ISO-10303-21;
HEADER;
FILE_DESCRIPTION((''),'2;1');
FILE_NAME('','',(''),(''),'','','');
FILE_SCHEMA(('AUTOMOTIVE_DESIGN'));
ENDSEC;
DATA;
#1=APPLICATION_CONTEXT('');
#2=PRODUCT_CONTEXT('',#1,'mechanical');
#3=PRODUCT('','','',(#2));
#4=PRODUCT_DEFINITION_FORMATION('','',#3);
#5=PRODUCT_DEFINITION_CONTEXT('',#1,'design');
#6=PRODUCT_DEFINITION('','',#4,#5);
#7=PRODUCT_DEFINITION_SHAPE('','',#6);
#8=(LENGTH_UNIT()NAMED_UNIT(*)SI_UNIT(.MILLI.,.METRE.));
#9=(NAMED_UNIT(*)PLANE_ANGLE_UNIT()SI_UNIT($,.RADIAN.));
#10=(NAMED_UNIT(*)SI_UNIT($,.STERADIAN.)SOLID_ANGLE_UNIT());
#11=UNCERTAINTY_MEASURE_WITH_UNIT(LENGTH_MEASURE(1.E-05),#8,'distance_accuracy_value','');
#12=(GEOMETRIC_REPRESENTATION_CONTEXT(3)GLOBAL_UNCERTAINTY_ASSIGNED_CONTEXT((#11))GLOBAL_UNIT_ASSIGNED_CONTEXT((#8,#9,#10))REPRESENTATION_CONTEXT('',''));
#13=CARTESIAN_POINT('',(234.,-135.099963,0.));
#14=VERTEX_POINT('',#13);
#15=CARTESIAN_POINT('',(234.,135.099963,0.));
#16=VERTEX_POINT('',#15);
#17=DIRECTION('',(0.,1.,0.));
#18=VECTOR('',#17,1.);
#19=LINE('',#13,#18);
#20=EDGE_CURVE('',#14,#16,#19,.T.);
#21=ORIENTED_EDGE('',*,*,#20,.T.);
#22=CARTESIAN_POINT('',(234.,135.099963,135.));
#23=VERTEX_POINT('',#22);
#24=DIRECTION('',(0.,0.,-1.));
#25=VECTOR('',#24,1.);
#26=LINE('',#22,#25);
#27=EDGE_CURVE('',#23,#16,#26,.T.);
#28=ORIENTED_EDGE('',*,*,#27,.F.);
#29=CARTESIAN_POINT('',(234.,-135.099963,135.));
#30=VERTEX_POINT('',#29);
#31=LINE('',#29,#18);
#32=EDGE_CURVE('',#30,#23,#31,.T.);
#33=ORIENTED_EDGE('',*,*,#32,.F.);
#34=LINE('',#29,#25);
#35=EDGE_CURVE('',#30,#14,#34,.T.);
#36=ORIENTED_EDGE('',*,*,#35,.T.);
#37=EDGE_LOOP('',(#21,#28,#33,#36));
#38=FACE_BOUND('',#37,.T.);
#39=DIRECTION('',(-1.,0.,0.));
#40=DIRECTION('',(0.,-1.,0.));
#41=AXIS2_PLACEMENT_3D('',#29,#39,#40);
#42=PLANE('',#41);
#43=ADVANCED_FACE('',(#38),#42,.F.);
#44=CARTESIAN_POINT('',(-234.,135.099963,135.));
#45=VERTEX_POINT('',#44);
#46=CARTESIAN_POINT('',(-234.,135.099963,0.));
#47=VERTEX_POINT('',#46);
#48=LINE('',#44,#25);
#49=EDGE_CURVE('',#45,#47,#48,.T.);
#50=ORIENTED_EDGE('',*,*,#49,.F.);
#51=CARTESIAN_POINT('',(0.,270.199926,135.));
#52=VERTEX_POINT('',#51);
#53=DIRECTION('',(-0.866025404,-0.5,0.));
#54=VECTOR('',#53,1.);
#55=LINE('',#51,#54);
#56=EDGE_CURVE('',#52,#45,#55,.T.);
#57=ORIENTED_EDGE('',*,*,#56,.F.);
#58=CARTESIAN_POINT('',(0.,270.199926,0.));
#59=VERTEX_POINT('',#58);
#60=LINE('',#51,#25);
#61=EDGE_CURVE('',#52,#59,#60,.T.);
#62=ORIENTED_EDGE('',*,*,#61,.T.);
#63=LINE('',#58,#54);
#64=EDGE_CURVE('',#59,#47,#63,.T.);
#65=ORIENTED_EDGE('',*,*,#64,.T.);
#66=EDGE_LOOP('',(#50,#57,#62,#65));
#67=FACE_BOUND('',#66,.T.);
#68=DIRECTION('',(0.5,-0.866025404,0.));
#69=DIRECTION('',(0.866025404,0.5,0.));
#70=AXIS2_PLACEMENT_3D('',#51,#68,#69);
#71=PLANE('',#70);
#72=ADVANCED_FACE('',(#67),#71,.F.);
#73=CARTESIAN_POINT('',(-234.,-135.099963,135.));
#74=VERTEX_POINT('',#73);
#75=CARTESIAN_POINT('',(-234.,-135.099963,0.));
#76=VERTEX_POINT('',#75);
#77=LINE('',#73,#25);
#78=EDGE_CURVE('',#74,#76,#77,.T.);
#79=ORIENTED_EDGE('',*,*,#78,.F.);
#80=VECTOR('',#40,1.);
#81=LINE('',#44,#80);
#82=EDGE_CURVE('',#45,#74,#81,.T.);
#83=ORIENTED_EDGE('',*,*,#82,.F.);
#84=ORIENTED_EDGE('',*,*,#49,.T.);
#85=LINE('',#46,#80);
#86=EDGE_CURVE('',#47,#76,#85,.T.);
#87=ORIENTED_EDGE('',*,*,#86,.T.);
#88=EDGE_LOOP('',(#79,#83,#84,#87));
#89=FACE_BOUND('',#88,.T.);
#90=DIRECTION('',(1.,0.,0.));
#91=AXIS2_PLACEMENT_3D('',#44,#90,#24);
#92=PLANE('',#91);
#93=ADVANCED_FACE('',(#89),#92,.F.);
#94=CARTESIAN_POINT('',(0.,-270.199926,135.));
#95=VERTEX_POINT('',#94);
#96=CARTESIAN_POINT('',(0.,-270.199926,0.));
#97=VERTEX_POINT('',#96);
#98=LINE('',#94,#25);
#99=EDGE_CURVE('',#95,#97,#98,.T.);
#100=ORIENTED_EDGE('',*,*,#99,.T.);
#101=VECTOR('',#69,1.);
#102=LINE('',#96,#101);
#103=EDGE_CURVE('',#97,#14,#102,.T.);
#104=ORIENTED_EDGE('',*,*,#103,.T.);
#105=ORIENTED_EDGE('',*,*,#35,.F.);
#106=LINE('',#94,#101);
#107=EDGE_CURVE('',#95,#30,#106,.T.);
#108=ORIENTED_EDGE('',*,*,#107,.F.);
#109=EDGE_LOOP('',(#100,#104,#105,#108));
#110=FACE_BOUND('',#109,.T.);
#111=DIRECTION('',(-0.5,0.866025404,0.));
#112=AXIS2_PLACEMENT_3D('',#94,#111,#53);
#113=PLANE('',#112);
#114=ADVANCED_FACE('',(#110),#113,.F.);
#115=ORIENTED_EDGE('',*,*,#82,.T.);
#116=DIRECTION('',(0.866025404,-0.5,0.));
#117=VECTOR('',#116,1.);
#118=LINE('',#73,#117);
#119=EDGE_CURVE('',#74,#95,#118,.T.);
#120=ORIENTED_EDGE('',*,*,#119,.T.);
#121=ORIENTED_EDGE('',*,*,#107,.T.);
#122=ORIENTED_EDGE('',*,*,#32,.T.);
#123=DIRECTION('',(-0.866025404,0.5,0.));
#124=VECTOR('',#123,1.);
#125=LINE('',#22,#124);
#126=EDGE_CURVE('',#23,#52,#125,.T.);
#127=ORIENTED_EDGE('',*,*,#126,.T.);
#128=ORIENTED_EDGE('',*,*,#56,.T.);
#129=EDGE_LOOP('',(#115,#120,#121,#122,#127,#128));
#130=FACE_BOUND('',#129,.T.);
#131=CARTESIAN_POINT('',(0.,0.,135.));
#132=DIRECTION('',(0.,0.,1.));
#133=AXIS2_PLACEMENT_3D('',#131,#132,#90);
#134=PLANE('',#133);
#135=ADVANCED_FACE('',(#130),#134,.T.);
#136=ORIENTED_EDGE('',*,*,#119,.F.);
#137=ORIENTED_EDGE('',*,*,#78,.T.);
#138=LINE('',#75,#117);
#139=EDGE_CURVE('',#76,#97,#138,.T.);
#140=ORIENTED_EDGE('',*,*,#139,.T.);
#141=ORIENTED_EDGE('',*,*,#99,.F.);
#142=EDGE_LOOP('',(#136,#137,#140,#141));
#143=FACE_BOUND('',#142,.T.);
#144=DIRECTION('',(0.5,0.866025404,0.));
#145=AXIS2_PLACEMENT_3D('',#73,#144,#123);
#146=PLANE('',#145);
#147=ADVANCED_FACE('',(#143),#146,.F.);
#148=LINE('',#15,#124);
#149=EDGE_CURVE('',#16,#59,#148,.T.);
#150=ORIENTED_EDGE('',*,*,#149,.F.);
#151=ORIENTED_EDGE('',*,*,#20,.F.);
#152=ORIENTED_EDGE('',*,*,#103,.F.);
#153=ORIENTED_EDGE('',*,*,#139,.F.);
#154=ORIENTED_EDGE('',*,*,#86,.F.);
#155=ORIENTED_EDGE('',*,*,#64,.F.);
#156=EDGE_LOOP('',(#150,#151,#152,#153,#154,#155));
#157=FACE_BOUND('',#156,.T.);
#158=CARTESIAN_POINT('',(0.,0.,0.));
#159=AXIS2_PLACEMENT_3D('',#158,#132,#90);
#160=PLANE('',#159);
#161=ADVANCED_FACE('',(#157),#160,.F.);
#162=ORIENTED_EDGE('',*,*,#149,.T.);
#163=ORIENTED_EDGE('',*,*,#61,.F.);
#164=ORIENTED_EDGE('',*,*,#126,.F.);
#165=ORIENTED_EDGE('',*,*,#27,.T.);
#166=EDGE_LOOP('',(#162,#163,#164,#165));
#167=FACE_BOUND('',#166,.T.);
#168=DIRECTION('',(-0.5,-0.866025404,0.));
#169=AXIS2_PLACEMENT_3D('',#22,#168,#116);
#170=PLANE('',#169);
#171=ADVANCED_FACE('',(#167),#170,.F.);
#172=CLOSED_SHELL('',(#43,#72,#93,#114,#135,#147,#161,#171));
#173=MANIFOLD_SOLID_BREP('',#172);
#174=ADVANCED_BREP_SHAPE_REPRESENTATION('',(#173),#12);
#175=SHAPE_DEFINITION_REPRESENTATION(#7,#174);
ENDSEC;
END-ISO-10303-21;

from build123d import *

# Parameters (mm, degrees)
BOSS_EXTRUDE1_DEPTH = 135


with BuildPart() as part:
    # Sketch4 → Boss-Extrude1 (new body)
    with BuildSketch(Plane.XY):
        Polygon((0, -270.199925981), (234, -135.09996299), (234, 135.09996299), (0, 270.199925981), (-234, 135.09996299), (-234, -135.09996299), align=None)
    extrude(amount=BOSS_EXTRUDE1_DEPTH)


solid = part.part
